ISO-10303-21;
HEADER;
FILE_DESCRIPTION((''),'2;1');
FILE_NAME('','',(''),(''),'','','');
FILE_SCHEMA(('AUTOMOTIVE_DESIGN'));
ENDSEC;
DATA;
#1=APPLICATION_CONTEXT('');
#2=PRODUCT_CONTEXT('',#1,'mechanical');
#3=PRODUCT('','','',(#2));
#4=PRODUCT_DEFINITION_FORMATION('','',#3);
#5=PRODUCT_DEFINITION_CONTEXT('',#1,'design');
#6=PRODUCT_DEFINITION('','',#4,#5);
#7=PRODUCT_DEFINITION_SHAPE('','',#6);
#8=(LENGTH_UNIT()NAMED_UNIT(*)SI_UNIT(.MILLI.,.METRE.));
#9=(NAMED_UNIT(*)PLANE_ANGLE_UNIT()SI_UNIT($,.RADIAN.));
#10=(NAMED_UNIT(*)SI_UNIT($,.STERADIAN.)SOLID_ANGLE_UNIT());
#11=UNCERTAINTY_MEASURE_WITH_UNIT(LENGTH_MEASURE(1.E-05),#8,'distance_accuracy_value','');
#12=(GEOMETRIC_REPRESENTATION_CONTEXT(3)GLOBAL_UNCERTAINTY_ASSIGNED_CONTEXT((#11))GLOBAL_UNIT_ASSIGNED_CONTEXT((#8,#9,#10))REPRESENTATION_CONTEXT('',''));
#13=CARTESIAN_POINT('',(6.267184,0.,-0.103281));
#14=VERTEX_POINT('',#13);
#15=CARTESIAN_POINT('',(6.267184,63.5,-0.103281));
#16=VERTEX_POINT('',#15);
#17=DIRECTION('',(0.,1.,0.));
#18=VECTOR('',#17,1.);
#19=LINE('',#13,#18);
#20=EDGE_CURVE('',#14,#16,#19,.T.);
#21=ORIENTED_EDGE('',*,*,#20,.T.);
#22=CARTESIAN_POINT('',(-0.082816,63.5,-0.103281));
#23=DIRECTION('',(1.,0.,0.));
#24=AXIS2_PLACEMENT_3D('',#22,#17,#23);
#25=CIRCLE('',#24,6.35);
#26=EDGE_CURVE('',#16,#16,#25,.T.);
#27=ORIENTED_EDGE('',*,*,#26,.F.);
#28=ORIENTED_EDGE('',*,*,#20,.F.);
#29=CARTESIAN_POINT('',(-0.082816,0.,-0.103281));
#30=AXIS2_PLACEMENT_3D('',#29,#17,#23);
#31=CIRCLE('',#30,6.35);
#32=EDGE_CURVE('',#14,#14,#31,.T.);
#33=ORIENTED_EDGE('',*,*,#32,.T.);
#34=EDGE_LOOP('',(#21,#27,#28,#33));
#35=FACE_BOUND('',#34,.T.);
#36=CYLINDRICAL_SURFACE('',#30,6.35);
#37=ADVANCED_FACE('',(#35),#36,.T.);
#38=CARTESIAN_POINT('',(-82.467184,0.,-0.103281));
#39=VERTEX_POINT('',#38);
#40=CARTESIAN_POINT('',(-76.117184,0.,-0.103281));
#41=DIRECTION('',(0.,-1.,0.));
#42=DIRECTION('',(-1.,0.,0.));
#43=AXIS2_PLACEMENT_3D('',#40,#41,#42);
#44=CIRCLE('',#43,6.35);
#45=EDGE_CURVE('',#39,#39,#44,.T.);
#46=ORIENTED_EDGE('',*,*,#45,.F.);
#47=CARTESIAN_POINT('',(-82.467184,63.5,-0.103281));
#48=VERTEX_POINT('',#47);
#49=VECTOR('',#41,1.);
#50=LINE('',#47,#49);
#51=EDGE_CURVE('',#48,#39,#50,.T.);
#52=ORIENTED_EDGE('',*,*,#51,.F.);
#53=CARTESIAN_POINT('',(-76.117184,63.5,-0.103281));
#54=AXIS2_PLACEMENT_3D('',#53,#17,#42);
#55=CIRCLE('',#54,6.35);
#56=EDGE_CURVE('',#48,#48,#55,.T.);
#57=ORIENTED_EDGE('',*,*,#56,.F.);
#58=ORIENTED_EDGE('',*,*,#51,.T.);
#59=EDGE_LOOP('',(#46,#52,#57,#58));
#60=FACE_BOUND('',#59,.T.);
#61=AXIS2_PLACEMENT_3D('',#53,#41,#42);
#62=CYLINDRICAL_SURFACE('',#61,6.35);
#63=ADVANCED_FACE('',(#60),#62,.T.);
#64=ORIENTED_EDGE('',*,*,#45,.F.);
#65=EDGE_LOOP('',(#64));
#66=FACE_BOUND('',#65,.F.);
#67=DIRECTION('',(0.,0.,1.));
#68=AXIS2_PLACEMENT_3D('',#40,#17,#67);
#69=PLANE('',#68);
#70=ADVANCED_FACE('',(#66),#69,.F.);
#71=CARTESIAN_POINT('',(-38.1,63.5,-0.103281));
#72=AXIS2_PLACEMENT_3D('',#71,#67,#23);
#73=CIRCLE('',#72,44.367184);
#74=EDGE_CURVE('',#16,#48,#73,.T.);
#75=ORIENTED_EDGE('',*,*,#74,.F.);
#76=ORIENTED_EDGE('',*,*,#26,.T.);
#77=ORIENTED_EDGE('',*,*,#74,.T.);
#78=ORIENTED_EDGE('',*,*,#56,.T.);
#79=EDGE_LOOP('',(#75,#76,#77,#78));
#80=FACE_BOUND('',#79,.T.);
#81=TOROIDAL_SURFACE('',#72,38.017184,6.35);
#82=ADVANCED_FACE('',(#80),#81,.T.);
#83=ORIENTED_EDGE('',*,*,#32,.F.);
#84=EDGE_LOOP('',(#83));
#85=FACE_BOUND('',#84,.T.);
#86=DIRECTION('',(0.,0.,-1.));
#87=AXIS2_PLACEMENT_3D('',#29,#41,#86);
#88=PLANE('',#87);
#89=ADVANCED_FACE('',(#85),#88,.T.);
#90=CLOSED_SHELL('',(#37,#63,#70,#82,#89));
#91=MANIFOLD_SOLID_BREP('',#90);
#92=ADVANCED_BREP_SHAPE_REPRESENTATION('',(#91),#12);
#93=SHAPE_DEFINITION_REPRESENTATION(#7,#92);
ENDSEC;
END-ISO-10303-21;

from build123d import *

# Parameters (mm, degrees)
F1_R = 6.35


with BuildPart() as f2:
    # F2: sweep along a path in F0
    with BuildLine(Plane.XY) as f2_path:
        Line((0, 0), (0, 63.5))
        ThreePointArc((0, 63.5), (-38.1, 101.6), (-76.2, 63.5))
        Line((-76.2, 63.5), (-76.2, 0))
    # F1 (on Front) → F2 (sweep)
    with BuildSketch(Plane.XZ):
        with Locations((-0.082816, -0.103281)):
            Circle(F1_R)
    sweep(path=f2_path.line)


solid = f2.part
